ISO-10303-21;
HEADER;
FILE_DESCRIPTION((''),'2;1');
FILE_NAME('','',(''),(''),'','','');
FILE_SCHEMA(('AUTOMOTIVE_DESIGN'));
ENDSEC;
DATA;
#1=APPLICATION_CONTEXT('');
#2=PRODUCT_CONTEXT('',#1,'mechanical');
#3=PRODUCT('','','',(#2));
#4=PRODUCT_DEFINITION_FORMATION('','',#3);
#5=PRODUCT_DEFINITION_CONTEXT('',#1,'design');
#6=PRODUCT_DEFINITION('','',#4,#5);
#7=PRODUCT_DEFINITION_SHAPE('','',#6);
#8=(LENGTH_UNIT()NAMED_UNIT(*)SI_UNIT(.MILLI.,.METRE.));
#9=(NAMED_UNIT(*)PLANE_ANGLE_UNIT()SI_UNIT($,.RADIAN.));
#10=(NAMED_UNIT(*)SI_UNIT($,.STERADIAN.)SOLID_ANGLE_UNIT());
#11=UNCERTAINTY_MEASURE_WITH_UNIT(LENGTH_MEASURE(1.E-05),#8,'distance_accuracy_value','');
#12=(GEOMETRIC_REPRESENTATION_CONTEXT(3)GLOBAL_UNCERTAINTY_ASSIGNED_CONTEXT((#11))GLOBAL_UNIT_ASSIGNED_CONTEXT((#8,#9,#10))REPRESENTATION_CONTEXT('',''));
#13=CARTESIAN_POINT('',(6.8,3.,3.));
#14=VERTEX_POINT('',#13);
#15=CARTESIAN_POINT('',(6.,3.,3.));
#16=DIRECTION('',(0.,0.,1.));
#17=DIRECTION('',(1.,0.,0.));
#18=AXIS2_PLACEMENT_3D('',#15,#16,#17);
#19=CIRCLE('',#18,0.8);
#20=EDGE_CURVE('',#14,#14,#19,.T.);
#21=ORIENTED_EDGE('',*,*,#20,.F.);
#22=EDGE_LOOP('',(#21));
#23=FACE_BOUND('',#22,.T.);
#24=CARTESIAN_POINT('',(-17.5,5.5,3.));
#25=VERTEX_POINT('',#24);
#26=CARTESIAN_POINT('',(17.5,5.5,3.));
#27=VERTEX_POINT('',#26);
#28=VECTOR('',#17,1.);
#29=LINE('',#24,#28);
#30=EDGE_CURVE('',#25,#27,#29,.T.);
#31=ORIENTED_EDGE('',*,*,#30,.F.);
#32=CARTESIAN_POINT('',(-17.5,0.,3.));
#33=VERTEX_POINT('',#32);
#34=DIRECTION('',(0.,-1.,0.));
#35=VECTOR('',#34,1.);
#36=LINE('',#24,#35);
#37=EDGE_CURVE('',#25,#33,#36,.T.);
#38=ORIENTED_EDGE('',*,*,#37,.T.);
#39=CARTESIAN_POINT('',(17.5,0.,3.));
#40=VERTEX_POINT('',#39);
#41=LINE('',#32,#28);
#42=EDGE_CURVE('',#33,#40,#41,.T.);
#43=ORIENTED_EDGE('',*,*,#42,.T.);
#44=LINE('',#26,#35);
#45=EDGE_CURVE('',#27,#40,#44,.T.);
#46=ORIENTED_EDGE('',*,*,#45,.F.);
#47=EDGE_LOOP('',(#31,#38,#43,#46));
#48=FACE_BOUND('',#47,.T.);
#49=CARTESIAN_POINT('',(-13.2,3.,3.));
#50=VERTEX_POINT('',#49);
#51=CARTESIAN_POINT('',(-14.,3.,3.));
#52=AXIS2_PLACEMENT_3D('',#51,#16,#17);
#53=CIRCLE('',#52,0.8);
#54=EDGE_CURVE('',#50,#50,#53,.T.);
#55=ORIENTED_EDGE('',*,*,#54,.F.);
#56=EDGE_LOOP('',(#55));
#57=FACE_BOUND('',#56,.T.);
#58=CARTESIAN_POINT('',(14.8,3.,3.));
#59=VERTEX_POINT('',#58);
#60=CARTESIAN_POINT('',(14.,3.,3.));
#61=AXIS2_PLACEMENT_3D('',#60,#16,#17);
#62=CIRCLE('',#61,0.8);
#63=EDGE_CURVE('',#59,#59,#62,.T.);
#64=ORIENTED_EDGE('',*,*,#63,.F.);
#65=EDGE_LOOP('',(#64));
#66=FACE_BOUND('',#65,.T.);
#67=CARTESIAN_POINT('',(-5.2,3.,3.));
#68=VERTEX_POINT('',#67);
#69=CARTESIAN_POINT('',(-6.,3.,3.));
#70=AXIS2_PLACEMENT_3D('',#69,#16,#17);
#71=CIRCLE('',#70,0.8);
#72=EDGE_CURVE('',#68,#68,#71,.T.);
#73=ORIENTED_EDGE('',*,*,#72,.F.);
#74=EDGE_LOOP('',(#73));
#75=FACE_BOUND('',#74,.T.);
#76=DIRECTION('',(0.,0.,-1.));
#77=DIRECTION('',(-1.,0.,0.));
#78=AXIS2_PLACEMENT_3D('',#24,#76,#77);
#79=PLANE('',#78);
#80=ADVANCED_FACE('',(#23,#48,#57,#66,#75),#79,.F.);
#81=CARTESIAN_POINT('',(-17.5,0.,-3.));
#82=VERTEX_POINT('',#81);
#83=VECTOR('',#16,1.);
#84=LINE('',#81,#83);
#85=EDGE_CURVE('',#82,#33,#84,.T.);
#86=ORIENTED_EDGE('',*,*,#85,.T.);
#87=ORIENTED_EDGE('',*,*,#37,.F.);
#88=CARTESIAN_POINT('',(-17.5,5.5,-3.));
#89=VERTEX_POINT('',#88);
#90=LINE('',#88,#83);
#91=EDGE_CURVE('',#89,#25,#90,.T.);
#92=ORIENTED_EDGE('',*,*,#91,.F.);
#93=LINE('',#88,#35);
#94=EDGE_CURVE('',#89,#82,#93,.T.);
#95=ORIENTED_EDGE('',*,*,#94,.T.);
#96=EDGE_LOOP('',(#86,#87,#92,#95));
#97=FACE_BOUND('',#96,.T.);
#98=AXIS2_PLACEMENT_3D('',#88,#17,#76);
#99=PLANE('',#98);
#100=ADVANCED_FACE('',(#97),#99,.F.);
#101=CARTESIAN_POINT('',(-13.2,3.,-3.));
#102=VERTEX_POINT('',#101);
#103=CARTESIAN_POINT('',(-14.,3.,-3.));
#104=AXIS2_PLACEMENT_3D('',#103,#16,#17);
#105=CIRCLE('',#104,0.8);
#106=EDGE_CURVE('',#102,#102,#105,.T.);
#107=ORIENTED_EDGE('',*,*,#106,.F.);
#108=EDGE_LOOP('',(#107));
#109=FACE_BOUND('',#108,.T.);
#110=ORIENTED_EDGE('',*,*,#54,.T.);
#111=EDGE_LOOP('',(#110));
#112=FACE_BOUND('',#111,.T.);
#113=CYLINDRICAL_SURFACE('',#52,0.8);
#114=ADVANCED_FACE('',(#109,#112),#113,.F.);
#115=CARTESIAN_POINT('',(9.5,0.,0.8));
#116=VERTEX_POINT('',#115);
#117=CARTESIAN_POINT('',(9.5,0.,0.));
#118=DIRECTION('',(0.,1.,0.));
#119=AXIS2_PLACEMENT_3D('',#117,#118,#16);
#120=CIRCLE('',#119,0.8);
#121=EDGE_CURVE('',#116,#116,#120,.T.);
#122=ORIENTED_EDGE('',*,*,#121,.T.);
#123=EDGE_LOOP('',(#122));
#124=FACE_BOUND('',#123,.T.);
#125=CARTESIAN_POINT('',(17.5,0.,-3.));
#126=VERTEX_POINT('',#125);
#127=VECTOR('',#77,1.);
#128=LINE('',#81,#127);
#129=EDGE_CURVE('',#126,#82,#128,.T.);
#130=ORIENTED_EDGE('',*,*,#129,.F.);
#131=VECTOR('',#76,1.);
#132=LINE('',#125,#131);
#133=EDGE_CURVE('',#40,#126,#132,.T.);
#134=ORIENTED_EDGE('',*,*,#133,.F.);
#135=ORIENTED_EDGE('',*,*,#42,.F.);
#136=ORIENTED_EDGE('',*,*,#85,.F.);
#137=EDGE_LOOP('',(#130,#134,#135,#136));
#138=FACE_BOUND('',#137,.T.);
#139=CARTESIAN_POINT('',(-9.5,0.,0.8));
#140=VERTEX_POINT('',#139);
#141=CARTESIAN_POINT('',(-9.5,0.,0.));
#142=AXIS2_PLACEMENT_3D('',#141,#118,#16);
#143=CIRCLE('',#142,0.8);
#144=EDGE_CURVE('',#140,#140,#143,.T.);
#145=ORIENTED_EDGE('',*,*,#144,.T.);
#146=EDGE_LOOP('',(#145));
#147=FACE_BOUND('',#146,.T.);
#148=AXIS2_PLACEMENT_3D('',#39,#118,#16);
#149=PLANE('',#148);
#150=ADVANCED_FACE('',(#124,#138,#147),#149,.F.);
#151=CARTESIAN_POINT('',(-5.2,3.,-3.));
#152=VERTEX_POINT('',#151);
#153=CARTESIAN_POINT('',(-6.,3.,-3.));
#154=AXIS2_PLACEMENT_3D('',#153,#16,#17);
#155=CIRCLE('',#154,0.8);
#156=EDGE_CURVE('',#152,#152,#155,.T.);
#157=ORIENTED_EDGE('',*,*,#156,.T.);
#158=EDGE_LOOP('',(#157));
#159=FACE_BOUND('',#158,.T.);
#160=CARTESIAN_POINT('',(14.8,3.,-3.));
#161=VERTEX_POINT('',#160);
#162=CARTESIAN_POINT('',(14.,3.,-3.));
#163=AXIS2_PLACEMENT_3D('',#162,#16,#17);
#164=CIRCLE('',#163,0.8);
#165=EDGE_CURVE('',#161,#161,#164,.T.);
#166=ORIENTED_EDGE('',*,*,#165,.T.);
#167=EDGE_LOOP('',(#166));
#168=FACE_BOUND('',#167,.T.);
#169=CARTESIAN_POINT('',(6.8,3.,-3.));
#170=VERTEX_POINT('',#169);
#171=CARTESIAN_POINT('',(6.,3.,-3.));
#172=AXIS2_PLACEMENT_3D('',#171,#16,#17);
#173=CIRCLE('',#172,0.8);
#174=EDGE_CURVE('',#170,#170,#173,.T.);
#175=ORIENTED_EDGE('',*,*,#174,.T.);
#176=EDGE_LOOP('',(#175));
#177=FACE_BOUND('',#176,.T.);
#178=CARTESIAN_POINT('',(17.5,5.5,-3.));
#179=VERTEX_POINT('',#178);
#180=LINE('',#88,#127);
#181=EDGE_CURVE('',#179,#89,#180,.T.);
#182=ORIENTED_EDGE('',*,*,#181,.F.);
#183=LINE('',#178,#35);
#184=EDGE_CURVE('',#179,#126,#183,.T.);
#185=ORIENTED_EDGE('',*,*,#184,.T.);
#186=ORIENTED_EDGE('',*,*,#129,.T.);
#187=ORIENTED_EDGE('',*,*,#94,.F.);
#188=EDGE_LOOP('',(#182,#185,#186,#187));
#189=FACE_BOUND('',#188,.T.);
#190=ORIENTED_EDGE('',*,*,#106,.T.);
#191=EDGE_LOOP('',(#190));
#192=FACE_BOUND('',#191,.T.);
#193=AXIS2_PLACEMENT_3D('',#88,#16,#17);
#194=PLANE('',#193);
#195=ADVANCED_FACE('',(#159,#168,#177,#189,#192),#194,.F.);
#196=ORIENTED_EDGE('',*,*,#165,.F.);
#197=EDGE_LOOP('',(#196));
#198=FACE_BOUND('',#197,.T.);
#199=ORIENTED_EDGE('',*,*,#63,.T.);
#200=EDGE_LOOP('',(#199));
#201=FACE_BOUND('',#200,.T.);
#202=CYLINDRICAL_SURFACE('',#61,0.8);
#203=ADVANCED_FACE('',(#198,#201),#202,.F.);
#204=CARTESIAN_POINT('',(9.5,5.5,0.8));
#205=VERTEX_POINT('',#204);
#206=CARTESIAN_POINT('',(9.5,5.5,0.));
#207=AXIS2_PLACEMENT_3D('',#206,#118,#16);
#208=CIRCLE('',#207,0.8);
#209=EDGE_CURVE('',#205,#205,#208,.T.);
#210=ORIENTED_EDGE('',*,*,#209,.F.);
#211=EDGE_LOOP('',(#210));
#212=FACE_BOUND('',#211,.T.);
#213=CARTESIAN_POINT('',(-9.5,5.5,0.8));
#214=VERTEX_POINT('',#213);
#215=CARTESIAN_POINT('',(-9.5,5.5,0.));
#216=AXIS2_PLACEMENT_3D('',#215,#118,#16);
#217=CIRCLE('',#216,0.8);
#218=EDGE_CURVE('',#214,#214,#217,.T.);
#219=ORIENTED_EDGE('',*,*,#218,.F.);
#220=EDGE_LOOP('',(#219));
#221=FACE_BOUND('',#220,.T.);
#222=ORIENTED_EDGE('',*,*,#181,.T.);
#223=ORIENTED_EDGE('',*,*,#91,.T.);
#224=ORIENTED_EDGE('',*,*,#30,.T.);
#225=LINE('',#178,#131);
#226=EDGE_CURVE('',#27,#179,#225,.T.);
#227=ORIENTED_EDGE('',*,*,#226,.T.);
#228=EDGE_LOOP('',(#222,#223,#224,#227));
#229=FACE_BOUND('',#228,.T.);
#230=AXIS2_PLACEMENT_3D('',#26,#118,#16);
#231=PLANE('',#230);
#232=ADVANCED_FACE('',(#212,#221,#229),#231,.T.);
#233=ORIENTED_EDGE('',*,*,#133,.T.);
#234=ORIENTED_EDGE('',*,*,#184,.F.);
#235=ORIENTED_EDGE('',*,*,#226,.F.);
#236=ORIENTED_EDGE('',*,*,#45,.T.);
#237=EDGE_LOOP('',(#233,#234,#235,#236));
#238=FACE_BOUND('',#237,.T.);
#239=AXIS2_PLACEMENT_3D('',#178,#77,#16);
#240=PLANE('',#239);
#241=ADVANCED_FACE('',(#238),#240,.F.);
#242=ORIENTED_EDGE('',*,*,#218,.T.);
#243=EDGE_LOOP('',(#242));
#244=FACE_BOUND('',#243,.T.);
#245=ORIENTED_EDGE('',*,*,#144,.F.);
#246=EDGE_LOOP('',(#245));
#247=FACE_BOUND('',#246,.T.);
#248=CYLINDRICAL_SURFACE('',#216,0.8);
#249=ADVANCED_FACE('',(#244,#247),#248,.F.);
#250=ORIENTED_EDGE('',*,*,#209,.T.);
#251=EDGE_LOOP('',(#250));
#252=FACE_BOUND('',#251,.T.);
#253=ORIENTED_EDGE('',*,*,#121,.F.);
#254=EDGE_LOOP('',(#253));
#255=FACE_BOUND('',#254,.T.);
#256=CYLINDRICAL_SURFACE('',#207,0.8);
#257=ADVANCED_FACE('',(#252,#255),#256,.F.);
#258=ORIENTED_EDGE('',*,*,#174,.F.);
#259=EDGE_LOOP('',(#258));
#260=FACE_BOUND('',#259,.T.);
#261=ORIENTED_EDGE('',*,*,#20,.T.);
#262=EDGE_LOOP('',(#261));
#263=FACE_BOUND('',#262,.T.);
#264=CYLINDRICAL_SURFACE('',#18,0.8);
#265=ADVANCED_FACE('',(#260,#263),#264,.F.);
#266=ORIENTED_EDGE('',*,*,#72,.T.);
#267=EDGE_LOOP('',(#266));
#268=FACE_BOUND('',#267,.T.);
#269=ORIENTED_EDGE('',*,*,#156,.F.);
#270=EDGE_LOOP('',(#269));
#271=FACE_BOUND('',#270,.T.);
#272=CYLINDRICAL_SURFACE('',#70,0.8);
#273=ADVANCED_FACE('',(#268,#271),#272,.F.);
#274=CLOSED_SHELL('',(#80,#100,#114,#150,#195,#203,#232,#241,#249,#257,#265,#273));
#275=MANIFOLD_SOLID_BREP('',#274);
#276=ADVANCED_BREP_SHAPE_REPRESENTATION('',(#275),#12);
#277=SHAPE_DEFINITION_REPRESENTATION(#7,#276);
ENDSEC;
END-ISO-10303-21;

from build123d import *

# Parameters (mm, degrees)
SKETCH1_W             = 35
SKETCH1_H             = 6
BOSS_EXTRUDE1_DEPTH   = 5.5
M2X0_4_TAPPED_HOLE1_D = 1.6
M2X0_4_TAPPED_HOLE2_D = 1.6


with BuildPart() as part:
    # Sketch1 → Boss-Extrude1 (new body)
    with BuildSketch(Plane(origin=(0, 0, 0), x_dir=(1, 0, 0), z_dir=(0, 1, 0))):
        Rectangle(SKETCH1_W, SKETCH1_H)
    extrude(amount=BOSS_EXTRUDE1_DEPTH)

    # M2x0.4 Tapped Hole1 (through all)
    with Locations(Plane.XY.offset(3)):
        with Locations((6, 3), (-14, 3), (-6, 3), (14, 3)):
            Hole(M2X0_4_TAPPED_HOLE1_D / 2)

    # M2x0.4 Tapped Hole2 (through all)
    with Locations(Plane(origin=(0, 5.5, 0), x_dir=(-1, 0, 0), z_dir=(0, 1, 0))):
        with Locations((9.5, 0), (-9.5, 0)):
            Hole(M2X0_4_TAPPED_HOLE2_D / 2)


solid = part.part
